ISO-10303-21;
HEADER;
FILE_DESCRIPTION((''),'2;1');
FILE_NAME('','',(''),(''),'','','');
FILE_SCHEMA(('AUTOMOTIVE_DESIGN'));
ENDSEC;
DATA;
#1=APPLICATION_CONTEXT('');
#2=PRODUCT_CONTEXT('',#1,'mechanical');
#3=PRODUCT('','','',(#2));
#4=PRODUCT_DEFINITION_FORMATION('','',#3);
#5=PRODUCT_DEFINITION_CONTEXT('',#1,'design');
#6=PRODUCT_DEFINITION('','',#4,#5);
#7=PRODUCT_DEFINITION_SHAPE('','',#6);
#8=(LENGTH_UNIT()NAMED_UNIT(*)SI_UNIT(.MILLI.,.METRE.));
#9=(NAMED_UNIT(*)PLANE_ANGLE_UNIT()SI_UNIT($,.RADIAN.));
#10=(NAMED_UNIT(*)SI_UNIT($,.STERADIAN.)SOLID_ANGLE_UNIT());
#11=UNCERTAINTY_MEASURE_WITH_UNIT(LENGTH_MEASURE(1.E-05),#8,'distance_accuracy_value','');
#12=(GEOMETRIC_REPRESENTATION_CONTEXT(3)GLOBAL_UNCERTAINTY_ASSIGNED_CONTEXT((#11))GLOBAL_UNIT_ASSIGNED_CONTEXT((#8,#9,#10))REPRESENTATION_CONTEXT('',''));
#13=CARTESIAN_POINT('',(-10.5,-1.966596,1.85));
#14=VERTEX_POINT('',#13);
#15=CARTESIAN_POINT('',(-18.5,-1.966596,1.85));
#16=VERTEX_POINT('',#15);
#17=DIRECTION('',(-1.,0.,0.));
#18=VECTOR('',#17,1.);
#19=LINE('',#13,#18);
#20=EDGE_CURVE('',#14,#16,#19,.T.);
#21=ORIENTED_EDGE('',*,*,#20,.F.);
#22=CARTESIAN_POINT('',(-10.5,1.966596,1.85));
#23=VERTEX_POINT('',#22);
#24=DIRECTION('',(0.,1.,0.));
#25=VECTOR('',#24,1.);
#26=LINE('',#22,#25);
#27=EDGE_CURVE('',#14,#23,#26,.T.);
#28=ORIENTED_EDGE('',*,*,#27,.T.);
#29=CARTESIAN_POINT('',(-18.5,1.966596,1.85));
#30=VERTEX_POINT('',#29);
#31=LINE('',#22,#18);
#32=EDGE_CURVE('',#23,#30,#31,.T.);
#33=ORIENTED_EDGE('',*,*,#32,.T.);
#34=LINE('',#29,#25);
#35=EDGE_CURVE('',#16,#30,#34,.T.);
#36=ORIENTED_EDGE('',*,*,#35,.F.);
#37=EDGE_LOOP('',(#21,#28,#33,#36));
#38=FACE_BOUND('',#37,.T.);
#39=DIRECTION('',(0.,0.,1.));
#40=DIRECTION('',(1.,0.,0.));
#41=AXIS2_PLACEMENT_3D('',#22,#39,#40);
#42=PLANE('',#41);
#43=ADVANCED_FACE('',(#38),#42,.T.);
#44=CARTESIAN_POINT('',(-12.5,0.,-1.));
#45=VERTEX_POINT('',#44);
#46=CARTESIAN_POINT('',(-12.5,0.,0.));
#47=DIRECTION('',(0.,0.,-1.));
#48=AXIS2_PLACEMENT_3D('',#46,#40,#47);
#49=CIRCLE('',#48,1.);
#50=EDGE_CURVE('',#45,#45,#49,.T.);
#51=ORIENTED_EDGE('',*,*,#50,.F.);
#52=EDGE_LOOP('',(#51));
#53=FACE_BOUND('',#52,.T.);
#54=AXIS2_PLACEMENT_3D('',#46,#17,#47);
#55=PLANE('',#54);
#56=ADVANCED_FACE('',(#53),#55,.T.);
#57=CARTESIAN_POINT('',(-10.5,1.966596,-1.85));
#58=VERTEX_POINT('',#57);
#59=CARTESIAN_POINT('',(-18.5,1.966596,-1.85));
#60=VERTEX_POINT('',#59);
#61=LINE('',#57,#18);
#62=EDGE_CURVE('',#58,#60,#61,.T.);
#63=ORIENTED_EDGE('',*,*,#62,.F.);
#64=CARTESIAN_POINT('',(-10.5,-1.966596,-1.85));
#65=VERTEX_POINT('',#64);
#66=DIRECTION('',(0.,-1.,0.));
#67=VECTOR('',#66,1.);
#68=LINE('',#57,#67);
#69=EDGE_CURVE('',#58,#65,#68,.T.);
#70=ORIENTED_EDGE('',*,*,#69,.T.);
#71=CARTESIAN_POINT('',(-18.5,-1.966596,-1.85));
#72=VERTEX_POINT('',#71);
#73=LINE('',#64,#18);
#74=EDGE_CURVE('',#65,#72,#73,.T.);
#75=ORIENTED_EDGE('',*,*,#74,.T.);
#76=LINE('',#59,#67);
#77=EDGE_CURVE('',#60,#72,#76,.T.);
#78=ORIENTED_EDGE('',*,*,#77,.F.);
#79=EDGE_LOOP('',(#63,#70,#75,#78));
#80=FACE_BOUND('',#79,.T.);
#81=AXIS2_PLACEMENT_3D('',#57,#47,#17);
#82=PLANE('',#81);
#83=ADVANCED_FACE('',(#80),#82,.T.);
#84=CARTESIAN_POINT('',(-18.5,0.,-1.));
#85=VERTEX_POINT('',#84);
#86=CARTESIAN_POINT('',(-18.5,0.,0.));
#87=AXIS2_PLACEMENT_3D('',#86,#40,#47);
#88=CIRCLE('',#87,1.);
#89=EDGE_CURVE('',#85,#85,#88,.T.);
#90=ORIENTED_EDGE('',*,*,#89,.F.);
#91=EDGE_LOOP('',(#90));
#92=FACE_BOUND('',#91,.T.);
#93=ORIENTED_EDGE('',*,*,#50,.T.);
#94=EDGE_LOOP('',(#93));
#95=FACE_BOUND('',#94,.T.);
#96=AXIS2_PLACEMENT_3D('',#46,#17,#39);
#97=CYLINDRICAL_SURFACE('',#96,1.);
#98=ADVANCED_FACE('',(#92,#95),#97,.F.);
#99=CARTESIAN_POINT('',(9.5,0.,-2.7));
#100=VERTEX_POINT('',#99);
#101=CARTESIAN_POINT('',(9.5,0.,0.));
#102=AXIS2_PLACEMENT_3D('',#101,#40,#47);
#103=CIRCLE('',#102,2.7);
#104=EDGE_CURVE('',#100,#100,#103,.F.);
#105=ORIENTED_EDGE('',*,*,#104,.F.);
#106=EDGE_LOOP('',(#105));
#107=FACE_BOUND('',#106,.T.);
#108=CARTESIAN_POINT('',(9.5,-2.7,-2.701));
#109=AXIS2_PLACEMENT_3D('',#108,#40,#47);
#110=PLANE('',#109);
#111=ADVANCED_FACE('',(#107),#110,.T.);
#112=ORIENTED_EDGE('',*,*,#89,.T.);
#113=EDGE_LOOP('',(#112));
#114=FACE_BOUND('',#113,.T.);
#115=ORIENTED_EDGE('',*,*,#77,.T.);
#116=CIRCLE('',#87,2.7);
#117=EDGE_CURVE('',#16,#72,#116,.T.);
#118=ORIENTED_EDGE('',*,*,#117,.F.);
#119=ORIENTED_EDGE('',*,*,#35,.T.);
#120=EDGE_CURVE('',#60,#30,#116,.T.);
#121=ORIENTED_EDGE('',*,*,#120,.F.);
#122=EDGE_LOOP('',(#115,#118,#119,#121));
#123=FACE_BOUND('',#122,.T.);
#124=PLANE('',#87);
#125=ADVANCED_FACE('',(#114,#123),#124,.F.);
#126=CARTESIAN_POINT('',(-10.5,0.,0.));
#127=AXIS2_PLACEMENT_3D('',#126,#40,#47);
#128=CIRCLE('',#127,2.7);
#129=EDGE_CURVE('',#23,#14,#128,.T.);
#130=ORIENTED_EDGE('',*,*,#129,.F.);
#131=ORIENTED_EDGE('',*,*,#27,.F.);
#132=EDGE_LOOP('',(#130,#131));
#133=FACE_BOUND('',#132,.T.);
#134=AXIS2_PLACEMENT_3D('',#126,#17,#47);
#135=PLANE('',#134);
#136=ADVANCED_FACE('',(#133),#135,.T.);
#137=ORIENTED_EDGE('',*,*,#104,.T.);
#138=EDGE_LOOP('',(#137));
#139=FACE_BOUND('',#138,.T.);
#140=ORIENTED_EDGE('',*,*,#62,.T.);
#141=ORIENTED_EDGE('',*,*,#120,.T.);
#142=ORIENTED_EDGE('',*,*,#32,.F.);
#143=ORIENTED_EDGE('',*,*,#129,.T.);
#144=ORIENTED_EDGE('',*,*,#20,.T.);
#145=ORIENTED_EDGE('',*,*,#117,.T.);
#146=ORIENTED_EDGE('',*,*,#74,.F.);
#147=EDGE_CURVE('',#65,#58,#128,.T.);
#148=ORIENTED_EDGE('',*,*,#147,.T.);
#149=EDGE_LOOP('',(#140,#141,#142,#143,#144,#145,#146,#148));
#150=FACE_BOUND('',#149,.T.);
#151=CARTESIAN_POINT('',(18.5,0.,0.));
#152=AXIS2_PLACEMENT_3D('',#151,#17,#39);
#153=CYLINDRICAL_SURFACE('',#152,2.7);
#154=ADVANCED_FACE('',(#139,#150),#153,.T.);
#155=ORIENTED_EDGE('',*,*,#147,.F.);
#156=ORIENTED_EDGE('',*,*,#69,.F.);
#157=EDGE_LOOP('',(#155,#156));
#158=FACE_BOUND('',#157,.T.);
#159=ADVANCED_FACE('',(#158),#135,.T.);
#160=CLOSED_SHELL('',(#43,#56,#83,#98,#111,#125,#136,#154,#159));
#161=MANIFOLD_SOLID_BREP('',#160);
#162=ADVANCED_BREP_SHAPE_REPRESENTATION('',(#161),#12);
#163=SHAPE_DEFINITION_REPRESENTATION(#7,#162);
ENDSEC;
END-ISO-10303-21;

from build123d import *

# Parameters (mm, degrees)
SKETCH1_R                         = 2.7
BOSS_EXTRUDE1_DEPTH               = 18.5
CUT_EXTRUDE1_DEPTH                = 8
SKETCH3_R                         = 1
CUT_EXTRUDE2_DEPTH                = 6
CORTAR_EXTRUIR1_REACH             = 21.242
CORTAR_EXTRUIR1_DIRECTION_2_REACH = 21.242


with BuildPart() as part:
    # Sketch1 → Boss-Extrude1 (new, symmetric)
    with BuildSketch(Plane(origin=(0, 0, 0), x_dir=(0, 0, -1), z_dir=(1, 0, 0))):
        Circle(SKETCH1_R)
    extrude(amount=BOSS_EXTRUDE1_DEPTH, both=True)

    # Sketch2 → Cut-Extrude1 (cut)
    with BuildSketch(Plane(origin=(18.5, 0, 0), x_dir=(0, 0, -1), z_dir=(1, 0, 0))):
        with BuildLine():
            Line((-1.85, 1.966596044), (-1.85, -1.966596044))
            ThreePointArc((-1.85, -1.966596044), (-2.7, 0), (-1.85, 1.966596044))
        make_face()
        with BuildLine():
            Line((1.85, 1.966596044), (1.85, -1.966596044))
            ThreePointArc((1.85, -1.966596044), (2.7, 0), (1.85, 1.966596044))
        make_face()
    cut_extrude1 = extrude(amount=-CUT_EXTRUDE1_DEPTH, mode=Mode.SUBTRACT)

    # Sketch3 → Cut-Extrude2 (cut)
    with BuildSketch(Plane(origin=(18.5, 0, 0), x_dir=(0, 0, -1), z_dir=(1, 0, 0))):
        Circle(SKETCH3_R)
    cut_extrude2 = extrude(amount=-CUT_EXTRUDE2_DEPTH, mode=Mode.SUBTRACT)

    # Mirror1: Cut-Extrude1, Cut-Extrude2 across plane
    add(cut_extrude1.mirror(Plane(origin=(0, 0, 0), x_dir=(0, 0, 1), z_dir=(1, 0, 0))), mode=Mode.SUBTRACT)
    add(cut_extrude2.mirror(Plane(origin=(0, 0, 0), x_dir=(0, 0, 1), z_dir=(1, 0, 0))), mode=Mode.SUBTRACT)

    # Croquis1 → Cortar-Extruir1 (cut, up to next)
    with BuildSketch(Plane(origin=(0, 0, -1.85), x_dir=(-1, 0, 0), z_dir=(0, 0, -1)), mode=Mode.PRIVATE) as cortar_extruir1_sk1:
        Polygon((-9.5, -2.7), (-9.5, 3.118496514), (-19.119942129, 3.118496514), (-19.119942129, -3.62450436), (-9.5, -3.62450436), align=None)
    cortar_extruir1_tool1 = extrude(cortar_extruir1_sk1.sketch, amount=-CORTAR_EXTRUIR1_REACH, mode=Mode.PRIVATE) & part.part
    add(cortar_extruir1_tool1.solids().sort_by_distance((14.309971, -0.253004, -1.85))[0], mode=Mode.SUBTRACT)

    # Croquis1 → Cortar-Extruir1 direction 2 (cut, up to next)
    with BuildSketch(Plane(origin=(0, 0, -1.85), x_dir=(-1, 0, 0), z_dir=(0, 0, -1)), mode=Mode.PRIVATE) as cortar_extruir1_direction_2_sk1:
        Polygon((-9.5, -2.7), (-9.5, 3.118496514), (-19.119942129, 3.118496514), (-19.119942129, -3.62450436), (-9.5, -3.62450436), align=None)
    cortar_extruir1_direction_2_tool1 = extrude(cortar_extruir1_direction_2_sk1.sketch, amount=CORTAR_EXTRUIR1_DIRECTION_2_REACH, mode=Mode.PRIVATE) & part.part
    add(cortar_extruir1_direction_2_tool1.solids().sort_by_distance((14.309971, -0.253004, -1.85))[0], mode=Mode.SUBTRACT)


solid = part.part
